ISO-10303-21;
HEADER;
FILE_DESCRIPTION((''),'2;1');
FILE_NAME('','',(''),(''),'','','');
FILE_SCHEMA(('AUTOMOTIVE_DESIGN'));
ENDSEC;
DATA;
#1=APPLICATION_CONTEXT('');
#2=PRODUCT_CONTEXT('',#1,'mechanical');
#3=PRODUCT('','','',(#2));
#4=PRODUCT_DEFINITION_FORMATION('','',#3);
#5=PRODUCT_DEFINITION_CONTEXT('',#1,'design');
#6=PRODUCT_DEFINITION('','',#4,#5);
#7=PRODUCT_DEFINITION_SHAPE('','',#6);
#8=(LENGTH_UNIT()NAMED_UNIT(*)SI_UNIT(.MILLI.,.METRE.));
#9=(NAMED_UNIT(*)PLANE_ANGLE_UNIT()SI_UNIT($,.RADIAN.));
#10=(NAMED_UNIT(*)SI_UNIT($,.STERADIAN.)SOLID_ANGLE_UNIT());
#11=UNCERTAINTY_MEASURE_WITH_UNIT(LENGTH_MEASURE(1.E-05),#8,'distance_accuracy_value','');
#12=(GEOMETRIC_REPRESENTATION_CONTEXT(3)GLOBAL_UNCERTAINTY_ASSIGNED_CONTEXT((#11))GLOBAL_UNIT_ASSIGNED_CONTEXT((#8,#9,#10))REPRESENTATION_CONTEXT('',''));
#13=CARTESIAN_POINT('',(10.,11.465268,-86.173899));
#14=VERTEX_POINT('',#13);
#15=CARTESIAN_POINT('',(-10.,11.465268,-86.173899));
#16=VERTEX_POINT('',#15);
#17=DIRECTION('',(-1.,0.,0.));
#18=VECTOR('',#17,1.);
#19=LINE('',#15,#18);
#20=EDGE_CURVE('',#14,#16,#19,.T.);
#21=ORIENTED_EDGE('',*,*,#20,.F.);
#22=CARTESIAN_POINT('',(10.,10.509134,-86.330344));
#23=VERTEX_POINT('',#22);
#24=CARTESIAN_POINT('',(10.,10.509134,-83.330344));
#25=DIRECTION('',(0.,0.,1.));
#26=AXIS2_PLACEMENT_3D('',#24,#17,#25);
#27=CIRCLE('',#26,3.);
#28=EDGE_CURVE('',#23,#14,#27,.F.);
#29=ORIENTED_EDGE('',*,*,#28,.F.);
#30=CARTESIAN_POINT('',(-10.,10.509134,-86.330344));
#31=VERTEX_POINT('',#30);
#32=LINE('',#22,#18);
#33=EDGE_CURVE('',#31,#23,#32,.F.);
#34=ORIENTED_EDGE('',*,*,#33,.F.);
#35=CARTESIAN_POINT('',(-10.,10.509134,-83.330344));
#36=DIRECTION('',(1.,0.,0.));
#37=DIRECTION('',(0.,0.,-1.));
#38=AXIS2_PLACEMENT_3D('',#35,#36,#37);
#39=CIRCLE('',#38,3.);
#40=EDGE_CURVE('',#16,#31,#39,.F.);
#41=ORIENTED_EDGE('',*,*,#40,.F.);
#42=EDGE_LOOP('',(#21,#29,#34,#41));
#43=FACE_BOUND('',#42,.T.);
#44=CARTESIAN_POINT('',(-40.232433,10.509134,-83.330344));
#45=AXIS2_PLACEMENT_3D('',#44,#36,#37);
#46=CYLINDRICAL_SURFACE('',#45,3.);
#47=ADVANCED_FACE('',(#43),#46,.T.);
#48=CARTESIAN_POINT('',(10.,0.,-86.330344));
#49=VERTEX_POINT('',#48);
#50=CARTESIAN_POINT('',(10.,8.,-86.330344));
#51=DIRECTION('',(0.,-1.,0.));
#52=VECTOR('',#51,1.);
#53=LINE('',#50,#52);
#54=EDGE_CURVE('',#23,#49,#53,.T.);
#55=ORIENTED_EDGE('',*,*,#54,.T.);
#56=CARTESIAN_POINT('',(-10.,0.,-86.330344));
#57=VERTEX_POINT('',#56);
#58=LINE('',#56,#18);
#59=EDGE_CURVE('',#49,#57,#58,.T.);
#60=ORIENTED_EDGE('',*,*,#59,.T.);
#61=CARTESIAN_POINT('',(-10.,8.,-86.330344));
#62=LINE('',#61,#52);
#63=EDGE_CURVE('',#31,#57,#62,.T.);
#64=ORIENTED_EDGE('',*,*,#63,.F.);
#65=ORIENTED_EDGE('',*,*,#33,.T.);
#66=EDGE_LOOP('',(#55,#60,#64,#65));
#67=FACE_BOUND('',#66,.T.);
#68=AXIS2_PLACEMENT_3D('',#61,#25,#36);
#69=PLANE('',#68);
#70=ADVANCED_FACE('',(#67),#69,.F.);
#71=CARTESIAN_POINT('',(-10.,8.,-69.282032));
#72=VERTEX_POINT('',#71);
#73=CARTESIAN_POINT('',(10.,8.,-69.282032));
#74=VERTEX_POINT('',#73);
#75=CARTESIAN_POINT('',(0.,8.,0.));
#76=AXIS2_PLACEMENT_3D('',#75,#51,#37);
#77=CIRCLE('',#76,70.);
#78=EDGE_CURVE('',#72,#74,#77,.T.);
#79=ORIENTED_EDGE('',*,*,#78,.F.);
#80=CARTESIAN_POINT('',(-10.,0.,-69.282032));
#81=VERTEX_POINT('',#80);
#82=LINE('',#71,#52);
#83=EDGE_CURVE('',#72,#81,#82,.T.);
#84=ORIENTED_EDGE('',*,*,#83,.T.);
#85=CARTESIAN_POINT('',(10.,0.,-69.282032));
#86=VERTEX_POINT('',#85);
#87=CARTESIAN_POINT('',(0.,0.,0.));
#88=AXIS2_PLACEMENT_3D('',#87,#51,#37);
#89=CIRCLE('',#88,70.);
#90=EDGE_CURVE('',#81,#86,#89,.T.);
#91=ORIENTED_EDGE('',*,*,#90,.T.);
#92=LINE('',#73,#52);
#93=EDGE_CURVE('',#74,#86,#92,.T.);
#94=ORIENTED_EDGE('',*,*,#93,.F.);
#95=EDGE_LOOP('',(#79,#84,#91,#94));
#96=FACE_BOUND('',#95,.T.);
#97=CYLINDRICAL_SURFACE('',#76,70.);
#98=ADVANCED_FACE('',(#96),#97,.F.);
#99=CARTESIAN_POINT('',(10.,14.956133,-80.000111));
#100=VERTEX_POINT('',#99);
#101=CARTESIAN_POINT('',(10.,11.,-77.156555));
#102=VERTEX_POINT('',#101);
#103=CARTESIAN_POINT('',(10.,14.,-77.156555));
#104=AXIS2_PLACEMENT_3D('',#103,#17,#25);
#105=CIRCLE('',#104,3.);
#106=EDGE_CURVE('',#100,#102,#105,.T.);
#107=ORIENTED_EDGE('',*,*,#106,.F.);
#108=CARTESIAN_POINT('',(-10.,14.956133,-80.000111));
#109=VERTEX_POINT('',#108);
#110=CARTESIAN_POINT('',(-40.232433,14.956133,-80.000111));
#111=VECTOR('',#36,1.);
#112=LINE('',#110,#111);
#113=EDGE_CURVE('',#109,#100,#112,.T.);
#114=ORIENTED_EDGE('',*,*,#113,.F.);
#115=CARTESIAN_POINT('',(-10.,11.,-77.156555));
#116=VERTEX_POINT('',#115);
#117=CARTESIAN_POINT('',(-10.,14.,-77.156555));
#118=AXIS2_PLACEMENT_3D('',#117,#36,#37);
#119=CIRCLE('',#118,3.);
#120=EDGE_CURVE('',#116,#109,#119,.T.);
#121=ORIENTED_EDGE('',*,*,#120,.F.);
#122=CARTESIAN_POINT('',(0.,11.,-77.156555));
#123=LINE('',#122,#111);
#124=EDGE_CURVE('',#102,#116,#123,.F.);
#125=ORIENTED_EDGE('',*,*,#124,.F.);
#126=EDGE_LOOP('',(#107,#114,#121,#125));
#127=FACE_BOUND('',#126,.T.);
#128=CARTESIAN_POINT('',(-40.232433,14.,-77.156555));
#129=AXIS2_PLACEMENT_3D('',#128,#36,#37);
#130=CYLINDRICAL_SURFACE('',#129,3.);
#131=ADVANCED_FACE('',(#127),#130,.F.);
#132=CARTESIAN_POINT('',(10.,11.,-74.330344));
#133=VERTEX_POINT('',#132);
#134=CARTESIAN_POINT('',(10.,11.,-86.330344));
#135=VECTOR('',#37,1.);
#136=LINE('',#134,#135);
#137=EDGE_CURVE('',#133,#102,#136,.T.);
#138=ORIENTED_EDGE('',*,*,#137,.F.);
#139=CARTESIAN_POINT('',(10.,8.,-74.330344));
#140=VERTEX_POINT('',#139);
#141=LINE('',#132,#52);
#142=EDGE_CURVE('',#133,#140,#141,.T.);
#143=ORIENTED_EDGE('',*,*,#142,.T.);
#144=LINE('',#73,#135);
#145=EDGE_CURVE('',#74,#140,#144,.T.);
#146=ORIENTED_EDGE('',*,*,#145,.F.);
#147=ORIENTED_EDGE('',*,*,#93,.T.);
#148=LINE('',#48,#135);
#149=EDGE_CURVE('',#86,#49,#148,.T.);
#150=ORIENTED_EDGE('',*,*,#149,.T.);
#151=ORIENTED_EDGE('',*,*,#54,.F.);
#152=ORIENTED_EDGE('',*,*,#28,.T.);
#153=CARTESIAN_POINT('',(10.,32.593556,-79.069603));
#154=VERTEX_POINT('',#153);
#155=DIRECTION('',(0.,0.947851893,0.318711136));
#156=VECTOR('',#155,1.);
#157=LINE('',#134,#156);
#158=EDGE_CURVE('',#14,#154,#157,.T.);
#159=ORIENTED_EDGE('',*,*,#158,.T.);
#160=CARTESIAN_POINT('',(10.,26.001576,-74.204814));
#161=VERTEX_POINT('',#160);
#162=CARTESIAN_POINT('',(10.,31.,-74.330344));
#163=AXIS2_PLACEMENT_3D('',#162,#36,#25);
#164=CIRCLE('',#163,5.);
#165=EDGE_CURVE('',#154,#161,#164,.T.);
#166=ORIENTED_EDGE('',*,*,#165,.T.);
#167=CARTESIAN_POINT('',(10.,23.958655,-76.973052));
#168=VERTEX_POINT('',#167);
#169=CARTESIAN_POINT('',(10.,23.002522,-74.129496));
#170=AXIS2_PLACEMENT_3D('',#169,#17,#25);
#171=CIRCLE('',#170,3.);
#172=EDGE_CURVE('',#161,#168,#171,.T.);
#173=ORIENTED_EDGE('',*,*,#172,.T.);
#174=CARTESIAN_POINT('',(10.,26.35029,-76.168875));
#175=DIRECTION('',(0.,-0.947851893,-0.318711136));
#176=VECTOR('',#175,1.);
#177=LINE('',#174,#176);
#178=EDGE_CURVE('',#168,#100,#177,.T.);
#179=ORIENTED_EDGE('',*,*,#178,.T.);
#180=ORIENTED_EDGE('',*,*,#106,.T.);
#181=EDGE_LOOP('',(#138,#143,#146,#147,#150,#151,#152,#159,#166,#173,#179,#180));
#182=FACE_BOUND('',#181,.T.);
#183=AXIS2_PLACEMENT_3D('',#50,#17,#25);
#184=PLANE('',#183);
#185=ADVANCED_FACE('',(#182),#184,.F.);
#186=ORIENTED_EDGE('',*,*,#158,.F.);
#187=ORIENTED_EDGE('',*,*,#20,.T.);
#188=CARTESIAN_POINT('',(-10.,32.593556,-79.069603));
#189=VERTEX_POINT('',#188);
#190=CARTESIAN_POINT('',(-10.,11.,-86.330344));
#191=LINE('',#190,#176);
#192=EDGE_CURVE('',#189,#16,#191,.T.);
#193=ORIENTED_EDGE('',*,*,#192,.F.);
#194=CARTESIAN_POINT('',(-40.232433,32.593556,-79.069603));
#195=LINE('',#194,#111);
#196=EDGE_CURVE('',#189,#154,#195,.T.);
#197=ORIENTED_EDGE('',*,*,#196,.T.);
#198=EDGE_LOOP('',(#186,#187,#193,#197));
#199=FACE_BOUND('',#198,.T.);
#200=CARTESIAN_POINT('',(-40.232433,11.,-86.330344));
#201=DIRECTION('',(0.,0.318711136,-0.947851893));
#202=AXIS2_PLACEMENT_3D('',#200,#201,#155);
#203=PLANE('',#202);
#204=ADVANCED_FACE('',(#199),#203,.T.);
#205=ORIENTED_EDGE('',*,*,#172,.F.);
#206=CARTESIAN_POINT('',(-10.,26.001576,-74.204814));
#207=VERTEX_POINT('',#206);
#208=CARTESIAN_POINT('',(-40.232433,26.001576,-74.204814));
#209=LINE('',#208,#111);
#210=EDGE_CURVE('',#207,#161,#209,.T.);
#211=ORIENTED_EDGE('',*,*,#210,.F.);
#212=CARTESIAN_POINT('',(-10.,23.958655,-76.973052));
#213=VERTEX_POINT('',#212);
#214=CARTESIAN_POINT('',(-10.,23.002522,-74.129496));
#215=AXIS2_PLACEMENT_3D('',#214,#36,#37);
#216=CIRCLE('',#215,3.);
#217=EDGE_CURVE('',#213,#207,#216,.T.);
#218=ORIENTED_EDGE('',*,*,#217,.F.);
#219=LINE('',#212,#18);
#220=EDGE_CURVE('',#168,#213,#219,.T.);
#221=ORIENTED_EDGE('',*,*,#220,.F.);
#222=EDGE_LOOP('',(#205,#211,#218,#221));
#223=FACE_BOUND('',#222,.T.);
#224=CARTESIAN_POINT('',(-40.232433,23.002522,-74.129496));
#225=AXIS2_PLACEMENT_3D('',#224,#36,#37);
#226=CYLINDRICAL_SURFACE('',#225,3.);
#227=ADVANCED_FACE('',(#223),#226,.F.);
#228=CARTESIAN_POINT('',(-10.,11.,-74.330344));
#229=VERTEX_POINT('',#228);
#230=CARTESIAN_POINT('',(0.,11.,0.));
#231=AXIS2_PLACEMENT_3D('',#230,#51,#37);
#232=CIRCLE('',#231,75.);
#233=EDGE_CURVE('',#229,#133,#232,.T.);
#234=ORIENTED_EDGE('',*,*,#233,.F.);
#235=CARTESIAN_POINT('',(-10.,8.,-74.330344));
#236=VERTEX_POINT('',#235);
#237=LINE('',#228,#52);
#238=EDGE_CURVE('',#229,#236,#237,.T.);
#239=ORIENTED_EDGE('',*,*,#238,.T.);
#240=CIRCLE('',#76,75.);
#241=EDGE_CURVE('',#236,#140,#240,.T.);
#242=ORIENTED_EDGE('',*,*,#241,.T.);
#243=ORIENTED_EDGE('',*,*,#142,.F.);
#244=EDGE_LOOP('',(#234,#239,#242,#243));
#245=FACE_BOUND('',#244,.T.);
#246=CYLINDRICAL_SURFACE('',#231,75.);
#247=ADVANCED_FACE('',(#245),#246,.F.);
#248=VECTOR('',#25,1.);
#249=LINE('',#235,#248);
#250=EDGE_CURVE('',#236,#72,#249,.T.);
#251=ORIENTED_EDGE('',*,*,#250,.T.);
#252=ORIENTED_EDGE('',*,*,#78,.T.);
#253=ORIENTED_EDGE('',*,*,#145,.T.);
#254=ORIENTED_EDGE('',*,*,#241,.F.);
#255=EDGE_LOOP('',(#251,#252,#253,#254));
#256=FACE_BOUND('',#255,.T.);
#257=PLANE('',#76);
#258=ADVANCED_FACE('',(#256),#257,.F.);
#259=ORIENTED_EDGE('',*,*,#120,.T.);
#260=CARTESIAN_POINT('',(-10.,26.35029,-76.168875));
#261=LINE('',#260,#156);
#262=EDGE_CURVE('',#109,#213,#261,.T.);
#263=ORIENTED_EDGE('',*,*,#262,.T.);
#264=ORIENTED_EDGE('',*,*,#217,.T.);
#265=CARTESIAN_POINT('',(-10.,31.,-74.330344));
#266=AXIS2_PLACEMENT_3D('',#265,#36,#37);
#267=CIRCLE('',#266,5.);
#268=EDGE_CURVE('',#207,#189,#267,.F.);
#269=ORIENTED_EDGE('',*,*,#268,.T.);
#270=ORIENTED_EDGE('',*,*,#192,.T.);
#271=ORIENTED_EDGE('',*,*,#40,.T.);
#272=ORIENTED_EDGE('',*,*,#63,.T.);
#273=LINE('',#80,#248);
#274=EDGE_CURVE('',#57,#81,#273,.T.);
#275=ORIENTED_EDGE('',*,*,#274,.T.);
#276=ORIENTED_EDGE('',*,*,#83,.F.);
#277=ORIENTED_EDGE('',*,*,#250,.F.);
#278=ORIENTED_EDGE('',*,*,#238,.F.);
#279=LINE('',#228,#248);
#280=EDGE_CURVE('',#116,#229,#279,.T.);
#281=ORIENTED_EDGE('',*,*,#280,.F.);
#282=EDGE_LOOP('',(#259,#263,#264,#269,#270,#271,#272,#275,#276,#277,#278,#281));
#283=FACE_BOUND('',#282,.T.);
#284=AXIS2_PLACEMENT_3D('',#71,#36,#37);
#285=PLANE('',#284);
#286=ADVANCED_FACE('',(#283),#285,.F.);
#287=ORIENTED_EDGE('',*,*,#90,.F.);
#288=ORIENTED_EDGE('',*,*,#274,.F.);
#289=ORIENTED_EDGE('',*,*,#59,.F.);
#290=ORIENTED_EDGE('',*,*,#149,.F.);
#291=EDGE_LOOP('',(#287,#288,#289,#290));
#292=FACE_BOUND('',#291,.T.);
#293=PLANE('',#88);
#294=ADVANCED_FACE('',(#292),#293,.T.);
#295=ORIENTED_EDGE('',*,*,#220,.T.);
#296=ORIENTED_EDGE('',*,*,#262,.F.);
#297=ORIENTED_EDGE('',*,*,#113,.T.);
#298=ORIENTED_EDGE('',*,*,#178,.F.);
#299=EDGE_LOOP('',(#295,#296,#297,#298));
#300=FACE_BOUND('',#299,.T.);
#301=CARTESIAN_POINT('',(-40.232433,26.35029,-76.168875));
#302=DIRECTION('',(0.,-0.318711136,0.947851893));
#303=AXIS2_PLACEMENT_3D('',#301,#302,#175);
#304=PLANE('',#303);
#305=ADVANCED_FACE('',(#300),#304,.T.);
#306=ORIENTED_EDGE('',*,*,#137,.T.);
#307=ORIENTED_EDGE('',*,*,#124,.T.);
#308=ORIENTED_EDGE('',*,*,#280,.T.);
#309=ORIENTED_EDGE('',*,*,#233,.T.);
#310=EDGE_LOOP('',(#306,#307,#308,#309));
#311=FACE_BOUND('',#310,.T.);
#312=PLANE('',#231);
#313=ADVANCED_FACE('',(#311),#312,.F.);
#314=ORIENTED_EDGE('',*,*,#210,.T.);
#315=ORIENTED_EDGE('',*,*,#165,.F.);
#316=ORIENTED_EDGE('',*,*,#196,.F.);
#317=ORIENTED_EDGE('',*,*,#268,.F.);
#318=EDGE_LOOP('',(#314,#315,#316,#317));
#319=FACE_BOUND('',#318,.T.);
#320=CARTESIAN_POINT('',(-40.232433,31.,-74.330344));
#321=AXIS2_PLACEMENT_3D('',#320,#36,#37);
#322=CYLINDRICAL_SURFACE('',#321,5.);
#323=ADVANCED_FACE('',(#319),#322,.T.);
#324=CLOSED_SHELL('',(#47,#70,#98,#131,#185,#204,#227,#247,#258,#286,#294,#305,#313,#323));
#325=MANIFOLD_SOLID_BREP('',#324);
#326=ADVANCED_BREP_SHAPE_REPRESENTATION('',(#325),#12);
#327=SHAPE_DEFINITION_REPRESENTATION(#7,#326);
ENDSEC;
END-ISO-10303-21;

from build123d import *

# Parameters (mm, degrees)
BOSS_EXTRUDE1_DEPTH = 8
BOSS_EXTRUDE2_DEPTH = 3
BOSS_EXTRUDE3_DEPTH = 20
FILLET5_R           = 3


with BuildPart() as part:
    # Sketch1 → Boss-Extrude1 (new body)
    with BuildSketch(Plane(origin=(0, 0, 0), x_dir=(1, 0, 0), z_dir=(0, 1, 0))):
        with BuildLine():
            Line((-10, 69.282032303), (-10, 74.330343737))
            Line((-10, 74.330343737), (-10, 86.330343737))
            Line((-10, 86.330343737), (10, 86.330343737))
            Line((10, 86.330343737), (10, 74.330343737))
            Line((10, 74.330343737), (10, 69.282032303))
            ThreePointArc((10, 69.282032303), (0, 70), (-10, 69.282032303))
        make_face()
    extrude(amount=BOSS_EXTRUDE1_DEPTH)

    # Sketch2 → Boss-Extrude2 (add)
    with BuildSketch(Plane(origin=(0, 8, 0), x_dir=(1, 0, 0), z_dir=(0, 1, 0))):
        with BuildLine():
            Line((-10, 74.330343737), (-10, 86.330343737))
            Line((-10, 86.330343737), (10, 86.330343737))
            Line((10, 86.330343737), (10, 74.330343737))
            ThreePointArc((10, 74.330343737), (0, 75), (-10, 74.330343737))
        make_face()
    extrude(amount=BOSS_EXTRUDE2_DEPTH)

    # Sketch3 → Boss-Extrude3 (add)
    with BuildSketch(Plane(origin=(10, 0, 0), x_dir=(0, 0, -1), z_dir=(1, 0, 0))):
        with BuildLine():
            Line((81.330343737, 11), (86.330343737, 11))
            Line((86.330343737, 11), (79.069603203, 32.59355568))
            ThreePointArc((79.069603203, 32.59355568), (69.795873168, 33.106792981), (76.168874572, 26.350289862))
            Line((76.168874572, 26.350289862), (81.330343737, 11))
        make_face()
    extrude(amount=-BOSS_EXTRUDE3_DEPTH)

    # Fillet5
    fillet5_edges = [part.edges().sort_by_distance(p)[0] for p in [
        (0, 11, -86.330343737),
        (0, 11, -81.330343737),
        (0, 26.350289862, -76.168874572),
    ]]
    fillet(fillet5_edges, radius=FILLET5_R)


solid = part.part
